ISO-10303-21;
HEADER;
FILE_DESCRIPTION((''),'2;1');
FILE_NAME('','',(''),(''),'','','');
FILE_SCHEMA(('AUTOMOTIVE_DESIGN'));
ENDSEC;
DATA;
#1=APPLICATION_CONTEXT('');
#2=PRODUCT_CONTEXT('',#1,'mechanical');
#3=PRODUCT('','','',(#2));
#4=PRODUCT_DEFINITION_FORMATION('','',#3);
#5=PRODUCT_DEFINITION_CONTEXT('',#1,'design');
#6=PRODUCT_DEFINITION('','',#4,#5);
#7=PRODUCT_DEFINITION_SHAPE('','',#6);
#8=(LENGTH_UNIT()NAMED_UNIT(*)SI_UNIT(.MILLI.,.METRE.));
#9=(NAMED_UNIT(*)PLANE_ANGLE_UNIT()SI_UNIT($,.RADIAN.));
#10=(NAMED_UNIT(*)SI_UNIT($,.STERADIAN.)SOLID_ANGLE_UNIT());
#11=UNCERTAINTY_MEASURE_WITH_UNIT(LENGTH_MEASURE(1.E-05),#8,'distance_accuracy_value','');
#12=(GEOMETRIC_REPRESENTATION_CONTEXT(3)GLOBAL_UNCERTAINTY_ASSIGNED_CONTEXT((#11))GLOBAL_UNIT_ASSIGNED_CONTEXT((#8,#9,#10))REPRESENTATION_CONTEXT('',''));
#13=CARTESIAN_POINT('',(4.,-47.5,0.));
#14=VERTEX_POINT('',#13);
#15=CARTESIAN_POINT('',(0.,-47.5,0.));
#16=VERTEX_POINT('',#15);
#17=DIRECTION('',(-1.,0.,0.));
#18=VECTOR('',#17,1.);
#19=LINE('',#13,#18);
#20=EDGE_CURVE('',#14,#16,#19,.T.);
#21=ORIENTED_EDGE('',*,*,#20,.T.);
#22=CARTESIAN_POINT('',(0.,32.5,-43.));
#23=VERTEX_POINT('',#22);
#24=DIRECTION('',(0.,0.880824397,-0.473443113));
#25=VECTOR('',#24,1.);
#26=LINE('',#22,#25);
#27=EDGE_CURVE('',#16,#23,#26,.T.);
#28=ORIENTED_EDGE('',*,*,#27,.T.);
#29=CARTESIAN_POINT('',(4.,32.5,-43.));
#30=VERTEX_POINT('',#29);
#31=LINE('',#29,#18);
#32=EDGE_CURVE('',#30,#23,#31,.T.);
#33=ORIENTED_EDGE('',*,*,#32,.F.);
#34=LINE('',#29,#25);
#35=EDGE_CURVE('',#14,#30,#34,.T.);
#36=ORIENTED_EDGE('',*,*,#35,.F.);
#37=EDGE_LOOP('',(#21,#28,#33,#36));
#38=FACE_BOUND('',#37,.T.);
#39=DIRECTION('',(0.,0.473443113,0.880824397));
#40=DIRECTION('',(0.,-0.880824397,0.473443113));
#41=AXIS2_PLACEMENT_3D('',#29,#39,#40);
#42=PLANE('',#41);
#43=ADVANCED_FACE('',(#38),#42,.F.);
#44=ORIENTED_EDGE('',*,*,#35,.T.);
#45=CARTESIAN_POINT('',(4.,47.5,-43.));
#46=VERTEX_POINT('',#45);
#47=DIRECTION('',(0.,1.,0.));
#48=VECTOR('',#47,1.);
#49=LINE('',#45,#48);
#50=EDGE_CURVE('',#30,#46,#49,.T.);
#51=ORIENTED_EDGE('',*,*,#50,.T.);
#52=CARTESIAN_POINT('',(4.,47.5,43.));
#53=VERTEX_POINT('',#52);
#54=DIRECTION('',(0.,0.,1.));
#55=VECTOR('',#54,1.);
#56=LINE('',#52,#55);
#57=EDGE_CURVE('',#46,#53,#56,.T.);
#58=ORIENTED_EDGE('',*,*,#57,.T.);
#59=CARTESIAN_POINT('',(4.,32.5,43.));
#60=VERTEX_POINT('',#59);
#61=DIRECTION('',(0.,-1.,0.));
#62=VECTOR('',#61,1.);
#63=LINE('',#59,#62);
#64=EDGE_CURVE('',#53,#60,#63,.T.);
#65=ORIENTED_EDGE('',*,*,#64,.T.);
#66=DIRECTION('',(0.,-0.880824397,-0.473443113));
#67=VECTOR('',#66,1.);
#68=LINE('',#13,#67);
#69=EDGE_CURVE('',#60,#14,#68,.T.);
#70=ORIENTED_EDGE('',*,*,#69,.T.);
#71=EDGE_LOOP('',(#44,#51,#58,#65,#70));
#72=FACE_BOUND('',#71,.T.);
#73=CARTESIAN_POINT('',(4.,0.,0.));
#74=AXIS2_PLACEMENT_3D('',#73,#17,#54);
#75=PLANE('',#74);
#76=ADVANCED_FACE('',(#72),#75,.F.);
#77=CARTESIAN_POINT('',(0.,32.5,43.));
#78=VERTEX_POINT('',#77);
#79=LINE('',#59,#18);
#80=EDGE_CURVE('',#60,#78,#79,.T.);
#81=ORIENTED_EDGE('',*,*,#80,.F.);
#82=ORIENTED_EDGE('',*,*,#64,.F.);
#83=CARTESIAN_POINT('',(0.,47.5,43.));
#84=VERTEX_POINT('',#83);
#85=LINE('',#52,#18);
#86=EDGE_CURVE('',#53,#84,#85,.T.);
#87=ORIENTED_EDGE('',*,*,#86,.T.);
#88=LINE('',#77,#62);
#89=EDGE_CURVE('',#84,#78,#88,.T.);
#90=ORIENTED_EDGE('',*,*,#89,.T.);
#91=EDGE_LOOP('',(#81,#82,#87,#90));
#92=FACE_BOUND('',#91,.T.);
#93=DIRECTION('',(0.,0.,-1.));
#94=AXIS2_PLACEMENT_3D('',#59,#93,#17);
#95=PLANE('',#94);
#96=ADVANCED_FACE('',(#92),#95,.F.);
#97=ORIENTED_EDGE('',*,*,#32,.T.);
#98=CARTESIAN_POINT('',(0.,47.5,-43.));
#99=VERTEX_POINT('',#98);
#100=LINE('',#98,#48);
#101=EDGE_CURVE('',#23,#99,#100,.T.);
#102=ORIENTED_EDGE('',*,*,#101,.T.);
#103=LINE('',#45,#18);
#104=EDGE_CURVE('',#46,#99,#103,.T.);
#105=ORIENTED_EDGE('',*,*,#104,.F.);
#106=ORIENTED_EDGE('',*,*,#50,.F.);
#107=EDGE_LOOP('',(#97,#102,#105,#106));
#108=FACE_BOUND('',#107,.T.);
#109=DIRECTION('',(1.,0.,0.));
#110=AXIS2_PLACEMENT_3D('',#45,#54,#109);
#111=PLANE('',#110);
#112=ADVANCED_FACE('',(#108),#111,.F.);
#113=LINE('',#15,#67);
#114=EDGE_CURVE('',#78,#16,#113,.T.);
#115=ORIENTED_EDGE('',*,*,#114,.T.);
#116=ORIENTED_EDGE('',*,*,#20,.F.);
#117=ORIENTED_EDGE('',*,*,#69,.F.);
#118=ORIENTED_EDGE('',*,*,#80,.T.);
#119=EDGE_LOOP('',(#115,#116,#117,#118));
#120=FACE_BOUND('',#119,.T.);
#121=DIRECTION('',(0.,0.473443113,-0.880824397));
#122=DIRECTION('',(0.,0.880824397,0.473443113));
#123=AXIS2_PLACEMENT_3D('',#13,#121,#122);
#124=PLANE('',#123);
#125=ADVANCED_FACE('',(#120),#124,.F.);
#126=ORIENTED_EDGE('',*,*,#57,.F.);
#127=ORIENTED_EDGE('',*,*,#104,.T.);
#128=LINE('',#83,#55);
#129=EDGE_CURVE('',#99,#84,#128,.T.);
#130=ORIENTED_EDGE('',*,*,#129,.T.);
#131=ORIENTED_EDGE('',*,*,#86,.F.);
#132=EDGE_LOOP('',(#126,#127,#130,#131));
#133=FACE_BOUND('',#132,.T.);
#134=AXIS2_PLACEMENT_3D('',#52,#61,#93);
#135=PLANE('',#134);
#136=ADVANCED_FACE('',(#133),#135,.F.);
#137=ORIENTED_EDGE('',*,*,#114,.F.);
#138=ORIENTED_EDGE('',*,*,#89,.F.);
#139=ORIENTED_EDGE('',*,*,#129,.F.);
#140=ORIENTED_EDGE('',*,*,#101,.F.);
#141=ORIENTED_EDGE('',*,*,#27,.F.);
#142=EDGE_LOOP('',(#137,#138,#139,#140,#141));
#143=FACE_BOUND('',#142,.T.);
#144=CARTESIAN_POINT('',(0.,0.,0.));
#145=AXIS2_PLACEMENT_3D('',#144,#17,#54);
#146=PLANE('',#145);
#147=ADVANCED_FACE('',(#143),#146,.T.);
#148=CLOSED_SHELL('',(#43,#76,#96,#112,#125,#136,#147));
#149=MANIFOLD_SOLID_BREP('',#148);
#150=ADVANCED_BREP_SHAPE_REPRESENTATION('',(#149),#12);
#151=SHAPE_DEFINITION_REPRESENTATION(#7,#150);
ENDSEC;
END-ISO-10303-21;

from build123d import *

# Parameters (mm, degrees)
BOSS_EXTRUDE1_DEPTH = 4


with BuildPart() as part:
    # Sketch1 → Boss-Extrude1 (new body)
    with BuildSketch(Plane(origin=(0, 0, 0), x_dir=(0, 0, -1), z_dir=(1, 0, 0))):
        Polygon((-43, 47.5), (43, 47.5), (43, 32.5), (0, -47.5), (-43, 32.5), align=None)
    extrude(amount=BOSS_EXTRUDE1_DEPTH)


solid = part.part
